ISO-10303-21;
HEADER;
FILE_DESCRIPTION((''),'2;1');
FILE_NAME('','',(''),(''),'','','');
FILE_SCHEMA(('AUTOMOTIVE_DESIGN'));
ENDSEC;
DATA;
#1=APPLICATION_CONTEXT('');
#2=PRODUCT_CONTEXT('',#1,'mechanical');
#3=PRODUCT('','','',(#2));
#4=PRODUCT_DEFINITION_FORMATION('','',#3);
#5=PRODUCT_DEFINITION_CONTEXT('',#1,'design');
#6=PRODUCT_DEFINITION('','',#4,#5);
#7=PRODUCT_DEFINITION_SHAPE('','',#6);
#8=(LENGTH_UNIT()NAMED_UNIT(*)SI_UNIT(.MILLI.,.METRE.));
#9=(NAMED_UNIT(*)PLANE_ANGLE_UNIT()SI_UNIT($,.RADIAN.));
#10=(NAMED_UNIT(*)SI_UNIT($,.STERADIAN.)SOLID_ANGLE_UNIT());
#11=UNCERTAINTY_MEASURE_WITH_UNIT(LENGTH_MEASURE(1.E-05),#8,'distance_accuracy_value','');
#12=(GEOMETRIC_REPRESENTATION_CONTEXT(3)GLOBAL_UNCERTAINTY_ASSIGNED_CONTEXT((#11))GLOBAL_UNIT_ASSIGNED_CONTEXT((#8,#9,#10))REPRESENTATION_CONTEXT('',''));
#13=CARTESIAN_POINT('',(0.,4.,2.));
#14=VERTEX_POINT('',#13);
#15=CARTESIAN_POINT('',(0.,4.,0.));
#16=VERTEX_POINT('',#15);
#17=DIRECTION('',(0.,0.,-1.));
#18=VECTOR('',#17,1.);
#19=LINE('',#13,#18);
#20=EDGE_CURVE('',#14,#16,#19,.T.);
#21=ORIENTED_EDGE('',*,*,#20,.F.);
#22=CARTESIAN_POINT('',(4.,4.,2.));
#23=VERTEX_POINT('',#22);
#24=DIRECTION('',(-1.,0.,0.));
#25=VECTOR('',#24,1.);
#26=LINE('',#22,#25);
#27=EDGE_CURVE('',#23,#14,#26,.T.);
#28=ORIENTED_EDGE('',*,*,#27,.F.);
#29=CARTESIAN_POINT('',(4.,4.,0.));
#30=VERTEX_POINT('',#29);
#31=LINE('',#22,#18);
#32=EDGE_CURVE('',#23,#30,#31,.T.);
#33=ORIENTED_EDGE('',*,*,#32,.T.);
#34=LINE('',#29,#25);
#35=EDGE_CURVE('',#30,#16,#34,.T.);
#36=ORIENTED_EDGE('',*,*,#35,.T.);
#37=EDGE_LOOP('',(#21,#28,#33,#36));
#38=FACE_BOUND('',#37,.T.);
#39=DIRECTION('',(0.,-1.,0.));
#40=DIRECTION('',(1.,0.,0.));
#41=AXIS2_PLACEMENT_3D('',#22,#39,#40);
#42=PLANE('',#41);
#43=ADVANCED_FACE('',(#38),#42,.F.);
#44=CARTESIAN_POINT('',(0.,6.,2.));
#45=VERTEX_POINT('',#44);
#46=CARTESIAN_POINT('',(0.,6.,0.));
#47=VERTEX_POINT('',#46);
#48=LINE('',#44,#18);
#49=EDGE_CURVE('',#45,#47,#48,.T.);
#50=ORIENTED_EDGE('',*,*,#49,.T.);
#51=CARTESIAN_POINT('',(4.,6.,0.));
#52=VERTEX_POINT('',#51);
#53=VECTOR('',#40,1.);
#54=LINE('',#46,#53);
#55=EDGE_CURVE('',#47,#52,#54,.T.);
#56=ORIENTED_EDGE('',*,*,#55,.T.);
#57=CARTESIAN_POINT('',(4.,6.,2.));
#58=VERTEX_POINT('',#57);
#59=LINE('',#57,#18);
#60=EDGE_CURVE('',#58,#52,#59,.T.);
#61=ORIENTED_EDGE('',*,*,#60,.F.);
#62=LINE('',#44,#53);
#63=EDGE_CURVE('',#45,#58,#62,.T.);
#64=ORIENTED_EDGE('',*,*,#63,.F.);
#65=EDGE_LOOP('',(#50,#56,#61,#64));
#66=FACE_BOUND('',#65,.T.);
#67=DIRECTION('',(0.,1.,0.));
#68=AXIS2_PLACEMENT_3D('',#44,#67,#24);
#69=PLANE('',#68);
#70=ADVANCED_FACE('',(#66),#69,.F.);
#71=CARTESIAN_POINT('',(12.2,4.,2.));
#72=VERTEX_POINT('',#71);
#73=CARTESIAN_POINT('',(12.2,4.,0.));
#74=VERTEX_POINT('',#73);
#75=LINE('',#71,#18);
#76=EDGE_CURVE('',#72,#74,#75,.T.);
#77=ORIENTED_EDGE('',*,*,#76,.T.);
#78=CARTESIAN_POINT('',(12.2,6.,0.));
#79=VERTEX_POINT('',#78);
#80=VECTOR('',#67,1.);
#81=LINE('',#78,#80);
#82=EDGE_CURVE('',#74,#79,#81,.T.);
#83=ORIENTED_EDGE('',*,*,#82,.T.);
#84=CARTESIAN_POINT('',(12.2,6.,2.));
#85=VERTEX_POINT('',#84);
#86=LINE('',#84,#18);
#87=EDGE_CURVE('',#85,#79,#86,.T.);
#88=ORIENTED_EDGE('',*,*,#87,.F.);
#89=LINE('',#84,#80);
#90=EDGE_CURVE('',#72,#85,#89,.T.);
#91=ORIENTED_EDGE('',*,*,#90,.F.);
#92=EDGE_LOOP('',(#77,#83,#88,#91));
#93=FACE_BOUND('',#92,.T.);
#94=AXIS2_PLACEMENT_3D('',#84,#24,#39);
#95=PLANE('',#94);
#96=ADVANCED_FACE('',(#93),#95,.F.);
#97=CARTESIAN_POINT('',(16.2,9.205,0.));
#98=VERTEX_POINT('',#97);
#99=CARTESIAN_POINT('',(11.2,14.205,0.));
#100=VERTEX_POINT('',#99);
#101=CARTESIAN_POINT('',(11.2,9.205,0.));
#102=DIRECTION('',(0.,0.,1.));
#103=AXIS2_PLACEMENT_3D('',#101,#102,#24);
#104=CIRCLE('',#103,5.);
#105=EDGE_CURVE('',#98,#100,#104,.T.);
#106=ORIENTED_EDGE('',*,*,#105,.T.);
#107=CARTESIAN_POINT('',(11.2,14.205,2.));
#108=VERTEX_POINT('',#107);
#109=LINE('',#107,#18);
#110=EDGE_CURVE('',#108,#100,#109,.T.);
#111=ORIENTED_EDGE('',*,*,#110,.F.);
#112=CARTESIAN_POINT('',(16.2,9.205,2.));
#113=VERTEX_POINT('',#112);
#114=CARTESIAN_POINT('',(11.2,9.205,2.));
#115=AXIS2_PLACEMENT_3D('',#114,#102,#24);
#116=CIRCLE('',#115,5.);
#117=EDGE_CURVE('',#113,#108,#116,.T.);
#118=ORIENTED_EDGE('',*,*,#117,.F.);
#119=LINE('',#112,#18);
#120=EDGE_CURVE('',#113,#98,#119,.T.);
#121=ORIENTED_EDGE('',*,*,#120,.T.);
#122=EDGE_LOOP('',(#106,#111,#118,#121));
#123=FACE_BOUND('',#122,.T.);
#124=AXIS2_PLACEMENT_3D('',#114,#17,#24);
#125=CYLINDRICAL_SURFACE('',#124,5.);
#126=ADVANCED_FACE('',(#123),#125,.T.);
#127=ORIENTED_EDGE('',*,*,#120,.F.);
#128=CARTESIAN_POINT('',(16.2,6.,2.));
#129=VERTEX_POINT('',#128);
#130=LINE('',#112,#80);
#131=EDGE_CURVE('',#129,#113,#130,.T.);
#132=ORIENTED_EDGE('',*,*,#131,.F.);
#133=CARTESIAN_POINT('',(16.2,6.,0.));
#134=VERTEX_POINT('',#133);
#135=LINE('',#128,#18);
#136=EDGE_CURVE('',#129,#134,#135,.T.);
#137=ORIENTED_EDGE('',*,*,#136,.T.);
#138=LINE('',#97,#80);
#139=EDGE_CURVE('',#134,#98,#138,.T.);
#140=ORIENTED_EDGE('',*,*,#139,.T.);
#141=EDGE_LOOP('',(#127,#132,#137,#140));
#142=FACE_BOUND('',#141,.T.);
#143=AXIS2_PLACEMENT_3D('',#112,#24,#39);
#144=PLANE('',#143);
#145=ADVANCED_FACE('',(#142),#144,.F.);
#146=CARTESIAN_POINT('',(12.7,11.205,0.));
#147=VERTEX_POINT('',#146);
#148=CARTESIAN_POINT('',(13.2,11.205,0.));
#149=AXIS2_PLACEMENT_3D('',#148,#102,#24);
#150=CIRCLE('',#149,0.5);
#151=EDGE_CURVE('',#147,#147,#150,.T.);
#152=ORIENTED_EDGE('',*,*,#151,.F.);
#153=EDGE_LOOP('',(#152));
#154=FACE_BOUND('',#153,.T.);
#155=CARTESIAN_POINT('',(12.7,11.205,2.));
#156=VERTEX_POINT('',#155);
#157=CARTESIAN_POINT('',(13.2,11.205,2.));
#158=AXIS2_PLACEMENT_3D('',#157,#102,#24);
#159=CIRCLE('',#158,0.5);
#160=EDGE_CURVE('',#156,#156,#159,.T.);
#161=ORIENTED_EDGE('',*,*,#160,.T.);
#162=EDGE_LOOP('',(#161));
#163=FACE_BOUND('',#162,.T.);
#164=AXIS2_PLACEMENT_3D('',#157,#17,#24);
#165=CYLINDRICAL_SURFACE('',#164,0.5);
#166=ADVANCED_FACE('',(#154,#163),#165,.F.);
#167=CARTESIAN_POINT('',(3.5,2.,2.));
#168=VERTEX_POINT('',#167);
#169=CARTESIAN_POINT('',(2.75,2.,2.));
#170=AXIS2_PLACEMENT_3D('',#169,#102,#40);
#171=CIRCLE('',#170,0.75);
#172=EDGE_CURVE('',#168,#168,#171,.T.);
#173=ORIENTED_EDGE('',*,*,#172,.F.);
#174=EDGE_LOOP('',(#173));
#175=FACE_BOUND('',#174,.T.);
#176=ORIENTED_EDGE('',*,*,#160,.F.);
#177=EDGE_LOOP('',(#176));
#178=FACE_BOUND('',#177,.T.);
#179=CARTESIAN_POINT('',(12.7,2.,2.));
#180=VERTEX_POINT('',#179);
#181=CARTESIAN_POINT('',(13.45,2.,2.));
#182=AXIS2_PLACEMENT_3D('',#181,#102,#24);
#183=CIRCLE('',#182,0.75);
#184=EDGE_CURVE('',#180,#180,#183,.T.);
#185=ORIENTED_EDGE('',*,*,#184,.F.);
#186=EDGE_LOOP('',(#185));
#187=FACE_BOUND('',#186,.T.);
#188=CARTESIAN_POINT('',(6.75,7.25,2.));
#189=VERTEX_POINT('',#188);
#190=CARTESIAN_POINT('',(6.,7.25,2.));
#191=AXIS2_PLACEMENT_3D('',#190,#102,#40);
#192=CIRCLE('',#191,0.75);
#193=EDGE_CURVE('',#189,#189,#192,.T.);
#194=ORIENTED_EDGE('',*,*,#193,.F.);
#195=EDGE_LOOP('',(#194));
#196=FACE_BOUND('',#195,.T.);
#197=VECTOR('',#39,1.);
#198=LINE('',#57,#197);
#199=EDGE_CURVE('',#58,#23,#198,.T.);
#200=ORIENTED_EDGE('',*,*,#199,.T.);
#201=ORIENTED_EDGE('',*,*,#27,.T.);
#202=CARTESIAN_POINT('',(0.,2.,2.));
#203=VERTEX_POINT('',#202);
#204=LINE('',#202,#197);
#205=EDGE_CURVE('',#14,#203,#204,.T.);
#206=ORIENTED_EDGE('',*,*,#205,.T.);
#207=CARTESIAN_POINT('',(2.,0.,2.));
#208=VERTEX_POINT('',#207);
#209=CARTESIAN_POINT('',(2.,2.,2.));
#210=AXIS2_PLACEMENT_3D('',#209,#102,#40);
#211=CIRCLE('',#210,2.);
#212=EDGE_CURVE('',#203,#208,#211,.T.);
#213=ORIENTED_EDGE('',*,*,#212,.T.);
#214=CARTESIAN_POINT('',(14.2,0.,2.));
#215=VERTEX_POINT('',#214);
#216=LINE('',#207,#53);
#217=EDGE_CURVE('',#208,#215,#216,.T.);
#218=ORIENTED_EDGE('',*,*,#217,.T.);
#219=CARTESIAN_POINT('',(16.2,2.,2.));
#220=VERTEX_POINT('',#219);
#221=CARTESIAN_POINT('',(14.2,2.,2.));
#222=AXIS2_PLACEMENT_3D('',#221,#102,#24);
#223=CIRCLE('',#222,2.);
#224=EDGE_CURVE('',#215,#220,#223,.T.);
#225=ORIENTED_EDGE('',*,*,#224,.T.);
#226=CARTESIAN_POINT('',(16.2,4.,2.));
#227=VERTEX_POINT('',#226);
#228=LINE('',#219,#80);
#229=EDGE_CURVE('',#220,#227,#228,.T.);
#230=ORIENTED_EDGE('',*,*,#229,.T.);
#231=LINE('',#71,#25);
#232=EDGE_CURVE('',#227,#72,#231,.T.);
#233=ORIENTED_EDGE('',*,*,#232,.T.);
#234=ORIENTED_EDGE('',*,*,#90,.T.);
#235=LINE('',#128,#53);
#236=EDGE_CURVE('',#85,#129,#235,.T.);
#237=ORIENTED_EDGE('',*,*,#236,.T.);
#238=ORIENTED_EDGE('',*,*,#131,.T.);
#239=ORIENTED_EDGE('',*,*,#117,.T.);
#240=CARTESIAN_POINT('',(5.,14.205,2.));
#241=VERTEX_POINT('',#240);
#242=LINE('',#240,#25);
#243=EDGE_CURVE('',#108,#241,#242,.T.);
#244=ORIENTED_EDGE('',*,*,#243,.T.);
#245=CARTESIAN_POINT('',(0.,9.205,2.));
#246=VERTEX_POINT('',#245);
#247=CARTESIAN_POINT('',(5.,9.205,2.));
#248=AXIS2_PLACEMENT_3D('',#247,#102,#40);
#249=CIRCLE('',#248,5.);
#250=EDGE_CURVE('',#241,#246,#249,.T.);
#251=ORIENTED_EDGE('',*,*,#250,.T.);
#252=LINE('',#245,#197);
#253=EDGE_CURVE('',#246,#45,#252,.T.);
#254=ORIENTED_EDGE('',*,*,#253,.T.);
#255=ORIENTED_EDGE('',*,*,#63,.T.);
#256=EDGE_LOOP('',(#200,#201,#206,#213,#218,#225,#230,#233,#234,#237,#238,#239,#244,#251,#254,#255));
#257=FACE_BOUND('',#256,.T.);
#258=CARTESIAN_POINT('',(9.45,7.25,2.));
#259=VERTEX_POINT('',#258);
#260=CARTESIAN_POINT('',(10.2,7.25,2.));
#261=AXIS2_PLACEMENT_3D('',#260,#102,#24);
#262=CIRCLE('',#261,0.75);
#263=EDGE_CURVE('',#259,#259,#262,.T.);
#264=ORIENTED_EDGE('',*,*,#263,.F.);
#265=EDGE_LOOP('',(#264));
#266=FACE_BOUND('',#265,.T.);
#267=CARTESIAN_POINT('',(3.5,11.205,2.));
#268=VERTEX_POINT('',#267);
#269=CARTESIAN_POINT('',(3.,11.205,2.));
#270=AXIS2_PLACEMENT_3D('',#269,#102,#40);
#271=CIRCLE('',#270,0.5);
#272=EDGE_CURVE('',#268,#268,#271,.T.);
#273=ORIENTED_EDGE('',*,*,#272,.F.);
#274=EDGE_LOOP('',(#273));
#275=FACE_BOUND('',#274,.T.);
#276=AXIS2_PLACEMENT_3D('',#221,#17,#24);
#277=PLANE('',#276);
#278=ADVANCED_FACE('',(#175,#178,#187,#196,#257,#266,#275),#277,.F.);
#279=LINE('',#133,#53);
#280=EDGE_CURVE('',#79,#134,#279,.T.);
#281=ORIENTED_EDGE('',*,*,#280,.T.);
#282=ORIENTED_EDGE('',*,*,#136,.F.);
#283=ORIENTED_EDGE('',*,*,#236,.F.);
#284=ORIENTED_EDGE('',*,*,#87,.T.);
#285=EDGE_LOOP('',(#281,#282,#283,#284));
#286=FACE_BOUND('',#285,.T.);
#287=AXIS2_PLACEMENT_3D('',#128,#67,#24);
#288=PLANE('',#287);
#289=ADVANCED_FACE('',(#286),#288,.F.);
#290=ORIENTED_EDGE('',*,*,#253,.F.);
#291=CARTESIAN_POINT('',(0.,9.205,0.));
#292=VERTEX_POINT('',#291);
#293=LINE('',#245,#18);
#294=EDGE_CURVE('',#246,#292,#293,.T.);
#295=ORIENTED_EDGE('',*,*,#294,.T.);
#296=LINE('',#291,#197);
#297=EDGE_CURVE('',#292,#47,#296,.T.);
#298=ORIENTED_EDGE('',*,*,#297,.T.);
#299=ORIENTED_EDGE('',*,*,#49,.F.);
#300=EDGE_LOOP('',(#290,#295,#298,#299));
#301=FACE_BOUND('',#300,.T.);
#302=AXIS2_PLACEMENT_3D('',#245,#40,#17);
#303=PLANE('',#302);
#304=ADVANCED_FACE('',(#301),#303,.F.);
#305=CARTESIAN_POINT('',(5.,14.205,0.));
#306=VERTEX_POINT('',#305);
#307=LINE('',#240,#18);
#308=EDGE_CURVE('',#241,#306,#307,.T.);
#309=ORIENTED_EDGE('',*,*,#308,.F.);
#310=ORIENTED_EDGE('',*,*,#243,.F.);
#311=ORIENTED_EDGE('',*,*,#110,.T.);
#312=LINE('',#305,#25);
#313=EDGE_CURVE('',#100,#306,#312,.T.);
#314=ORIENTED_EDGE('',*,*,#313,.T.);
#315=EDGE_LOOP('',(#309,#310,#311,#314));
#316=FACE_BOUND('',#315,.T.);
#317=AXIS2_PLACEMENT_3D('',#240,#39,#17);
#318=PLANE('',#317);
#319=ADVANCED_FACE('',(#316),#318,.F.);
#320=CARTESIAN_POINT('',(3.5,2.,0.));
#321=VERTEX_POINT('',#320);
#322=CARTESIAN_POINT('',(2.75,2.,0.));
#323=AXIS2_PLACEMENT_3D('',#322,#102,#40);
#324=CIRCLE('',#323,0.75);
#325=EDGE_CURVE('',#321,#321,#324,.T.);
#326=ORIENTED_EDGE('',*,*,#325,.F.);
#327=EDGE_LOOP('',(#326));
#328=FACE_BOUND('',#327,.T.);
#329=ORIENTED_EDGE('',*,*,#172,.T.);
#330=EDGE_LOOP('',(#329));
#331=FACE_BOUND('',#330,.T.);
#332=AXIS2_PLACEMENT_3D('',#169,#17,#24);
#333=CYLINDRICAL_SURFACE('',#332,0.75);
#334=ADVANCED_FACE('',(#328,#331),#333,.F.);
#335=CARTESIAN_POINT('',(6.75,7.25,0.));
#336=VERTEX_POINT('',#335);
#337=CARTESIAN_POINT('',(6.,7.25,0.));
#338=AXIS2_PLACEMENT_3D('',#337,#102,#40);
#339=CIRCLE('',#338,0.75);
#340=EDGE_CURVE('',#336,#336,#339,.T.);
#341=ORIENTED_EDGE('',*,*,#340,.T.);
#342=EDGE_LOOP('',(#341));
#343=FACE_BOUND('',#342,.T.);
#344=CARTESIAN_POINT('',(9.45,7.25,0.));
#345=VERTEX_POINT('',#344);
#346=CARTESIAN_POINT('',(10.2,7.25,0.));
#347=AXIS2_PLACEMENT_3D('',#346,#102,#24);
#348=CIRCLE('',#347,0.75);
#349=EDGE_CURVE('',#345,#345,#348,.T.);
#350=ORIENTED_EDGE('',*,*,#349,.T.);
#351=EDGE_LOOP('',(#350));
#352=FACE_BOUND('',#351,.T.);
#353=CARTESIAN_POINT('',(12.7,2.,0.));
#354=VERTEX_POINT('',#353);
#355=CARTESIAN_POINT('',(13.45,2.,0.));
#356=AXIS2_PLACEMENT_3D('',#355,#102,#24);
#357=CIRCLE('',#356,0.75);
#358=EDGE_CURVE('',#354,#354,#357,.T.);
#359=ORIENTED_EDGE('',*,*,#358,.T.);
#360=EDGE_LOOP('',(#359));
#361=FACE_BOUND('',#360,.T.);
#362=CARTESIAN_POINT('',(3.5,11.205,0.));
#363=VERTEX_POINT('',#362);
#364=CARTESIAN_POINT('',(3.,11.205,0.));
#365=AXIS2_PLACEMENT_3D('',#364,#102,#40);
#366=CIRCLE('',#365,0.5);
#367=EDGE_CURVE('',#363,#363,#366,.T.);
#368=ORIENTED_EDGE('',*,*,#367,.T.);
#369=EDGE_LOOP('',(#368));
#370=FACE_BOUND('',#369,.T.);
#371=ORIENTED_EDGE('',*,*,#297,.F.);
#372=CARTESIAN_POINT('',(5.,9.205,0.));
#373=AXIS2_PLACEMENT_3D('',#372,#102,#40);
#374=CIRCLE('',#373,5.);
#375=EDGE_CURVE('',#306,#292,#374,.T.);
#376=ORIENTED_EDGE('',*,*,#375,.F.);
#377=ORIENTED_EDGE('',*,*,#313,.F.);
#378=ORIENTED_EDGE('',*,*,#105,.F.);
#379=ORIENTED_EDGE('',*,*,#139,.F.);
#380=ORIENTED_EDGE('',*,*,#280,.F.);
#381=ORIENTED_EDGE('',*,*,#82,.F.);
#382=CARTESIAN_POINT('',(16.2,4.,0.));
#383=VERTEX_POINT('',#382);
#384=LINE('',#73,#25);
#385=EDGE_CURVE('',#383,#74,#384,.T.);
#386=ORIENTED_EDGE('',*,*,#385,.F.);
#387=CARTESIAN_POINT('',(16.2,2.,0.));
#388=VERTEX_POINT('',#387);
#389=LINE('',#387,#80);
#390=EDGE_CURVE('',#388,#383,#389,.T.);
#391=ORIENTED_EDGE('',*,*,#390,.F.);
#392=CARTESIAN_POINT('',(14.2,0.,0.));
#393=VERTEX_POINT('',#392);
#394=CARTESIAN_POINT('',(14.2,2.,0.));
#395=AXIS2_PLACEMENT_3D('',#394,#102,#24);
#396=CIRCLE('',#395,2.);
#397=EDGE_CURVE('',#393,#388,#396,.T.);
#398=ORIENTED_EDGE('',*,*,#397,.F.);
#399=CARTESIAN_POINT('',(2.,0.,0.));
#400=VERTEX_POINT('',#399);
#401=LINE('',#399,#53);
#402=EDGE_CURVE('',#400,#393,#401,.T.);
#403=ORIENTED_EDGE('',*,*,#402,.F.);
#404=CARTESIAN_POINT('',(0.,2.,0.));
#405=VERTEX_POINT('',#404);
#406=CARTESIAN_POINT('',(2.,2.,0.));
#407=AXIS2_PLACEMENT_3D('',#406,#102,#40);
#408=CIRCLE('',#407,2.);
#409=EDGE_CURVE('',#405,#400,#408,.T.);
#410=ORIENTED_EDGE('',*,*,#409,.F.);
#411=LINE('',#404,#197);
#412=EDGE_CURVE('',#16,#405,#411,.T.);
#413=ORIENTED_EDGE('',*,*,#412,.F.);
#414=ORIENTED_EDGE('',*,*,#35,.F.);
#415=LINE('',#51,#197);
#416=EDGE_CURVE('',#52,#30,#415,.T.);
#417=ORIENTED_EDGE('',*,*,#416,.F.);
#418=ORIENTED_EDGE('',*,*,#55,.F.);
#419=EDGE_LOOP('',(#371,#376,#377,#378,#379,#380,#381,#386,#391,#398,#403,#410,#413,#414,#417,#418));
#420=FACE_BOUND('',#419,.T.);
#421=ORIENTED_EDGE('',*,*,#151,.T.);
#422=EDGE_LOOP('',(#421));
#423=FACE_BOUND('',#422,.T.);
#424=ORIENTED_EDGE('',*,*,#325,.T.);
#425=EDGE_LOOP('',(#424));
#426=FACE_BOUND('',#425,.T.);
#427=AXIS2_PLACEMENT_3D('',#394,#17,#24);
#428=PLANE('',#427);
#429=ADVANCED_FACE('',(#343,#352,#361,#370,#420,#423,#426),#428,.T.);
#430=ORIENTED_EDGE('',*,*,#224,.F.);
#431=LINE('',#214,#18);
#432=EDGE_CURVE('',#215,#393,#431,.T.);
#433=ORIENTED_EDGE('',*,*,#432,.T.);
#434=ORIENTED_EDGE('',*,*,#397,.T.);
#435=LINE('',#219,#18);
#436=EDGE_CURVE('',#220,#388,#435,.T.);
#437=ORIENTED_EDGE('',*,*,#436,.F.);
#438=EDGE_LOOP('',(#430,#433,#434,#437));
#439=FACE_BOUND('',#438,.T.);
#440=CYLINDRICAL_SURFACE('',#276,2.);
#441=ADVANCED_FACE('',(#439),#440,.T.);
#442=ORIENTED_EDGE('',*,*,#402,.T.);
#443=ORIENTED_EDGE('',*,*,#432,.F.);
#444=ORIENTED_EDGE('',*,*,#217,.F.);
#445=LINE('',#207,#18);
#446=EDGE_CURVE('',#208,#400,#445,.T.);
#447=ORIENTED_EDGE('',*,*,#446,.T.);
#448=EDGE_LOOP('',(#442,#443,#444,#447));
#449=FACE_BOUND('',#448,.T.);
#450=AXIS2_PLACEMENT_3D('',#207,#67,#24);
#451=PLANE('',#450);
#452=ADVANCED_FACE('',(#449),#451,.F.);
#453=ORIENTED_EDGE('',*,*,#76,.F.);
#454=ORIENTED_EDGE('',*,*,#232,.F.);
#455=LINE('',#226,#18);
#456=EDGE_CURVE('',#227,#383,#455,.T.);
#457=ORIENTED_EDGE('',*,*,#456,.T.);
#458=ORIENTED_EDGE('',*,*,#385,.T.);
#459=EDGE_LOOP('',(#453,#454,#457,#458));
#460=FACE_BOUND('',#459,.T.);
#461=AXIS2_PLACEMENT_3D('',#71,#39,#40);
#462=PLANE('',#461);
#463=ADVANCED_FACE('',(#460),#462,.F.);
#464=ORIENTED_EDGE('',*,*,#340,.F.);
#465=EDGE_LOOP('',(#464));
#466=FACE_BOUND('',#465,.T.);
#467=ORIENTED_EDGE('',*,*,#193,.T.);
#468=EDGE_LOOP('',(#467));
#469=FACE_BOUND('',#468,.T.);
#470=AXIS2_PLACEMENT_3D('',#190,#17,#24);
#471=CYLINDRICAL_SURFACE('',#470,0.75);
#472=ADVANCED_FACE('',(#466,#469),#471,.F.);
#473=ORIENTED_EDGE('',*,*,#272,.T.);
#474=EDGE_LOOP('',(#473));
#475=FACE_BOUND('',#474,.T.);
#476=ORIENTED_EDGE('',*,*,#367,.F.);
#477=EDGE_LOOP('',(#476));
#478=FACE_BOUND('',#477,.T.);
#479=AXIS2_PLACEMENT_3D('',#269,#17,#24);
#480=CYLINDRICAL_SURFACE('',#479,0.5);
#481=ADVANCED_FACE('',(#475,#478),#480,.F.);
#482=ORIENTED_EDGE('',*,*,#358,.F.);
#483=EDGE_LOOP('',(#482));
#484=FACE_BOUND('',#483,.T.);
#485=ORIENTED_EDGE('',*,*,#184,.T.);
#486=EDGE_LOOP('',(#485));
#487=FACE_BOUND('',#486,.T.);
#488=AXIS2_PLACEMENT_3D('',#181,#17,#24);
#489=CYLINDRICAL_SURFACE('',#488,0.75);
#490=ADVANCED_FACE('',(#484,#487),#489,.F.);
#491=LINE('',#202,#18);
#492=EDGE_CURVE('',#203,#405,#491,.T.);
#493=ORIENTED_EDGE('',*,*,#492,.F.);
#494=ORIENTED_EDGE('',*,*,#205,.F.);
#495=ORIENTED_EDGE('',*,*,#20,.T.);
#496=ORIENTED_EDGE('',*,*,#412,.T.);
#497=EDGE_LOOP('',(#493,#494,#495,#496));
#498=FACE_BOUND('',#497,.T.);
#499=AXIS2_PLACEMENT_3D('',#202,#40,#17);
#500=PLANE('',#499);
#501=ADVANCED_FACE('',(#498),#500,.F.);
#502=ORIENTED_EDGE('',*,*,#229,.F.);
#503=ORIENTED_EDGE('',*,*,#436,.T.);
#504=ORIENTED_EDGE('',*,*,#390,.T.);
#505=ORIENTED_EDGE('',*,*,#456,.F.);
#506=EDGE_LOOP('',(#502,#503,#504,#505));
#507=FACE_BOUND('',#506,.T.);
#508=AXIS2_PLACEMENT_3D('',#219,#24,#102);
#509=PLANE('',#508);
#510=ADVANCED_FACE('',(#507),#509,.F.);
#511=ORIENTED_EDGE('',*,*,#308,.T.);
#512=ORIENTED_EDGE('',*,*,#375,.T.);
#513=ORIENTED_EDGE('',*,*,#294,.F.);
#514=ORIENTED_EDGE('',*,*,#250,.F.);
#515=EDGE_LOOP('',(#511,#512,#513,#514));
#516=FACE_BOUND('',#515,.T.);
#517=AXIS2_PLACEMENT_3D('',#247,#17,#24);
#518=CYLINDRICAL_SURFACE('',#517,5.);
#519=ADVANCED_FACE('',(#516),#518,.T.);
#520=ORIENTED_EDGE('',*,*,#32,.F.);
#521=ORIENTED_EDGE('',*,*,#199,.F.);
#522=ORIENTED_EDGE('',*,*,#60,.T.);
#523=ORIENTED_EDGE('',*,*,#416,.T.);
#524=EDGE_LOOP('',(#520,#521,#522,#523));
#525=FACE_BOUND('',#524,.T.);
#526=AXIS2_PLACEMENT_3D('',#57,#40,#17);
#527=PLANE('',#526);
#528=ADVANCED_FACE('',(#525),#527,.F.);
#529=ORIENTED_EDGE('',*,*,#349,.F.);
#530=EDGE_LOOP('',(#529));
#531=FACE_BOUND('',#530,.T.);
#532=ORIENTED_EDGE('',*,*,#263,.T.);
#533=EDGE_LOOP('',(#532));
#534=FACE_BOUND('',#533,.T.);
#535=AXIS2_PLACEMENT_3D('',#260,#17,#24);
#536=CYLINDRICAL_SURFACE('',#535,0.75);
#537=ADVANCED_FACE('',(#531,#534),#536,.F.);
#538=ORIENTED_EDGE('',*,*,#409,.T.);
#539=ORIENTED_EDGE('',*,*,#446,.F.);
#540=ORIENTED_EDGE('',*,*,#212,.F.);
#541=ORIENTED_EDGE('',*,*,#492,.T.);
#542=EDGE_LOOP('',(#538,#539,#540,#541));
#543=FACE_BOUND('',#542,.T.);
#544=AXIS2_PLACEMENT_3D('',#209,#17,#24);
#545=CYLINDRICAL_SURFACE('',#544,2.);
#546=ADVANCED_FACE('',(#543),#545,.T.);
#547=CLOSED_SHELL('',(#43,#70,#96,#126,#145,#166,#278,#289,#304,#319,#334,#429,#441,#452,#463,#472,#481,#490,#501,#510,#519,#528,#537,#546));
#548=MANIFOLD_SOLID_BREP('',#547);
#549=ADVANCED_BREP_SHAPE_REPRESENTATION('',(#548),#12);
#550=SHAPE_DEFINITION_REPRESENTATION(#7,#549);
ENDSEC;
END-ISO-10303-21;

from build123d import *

# Parameters (mm, degrees)
SKETCH1_R           = 0.75
SKETCH1_R_2         = 0.5
BOSS_EXTRUDE1_DEPTH = 2


with BuildPart() as part:
    # Sketch1 → Boss-Extrude1 (new body)
    with BuildSketch(Plane.XY):
        with BuildLine():
            Line((12.2, 4), (16.2, 4))
            Line((16.2, 4), (16.2, 2))
            ThreePointArc((16.2, 2), (15.614213562, 0.585786438), (14.2, 0))
            Line((14.2, 0), (2, 0))
            ThreePointArc((2, 0), (0.585786438, 0.585786438), (0, 2))
            Line((0, 2), (0, 4))
            Line((0, 4), (4, 4))
            Line((4, 4), (4, 6))
            Line((4, 6), (0, 6))
            Line((0, 6), (0, 9.205))
            ThreePointArc((0, 9.205), (1.464466094, 12.740533906), (5, 14.205))
            Line((5, 14.205), (11.2, 14.205))
            ThreePointArc((11.2, 14.205), (14.735533906, 12.740533906), (16.2, 9.205))
            Line((16.2, 9.205), (16.2, 6))
            Line((16.2, 6), (12.2, 6))
            Line((12.2, 6), (12.2, 4))
        make_face()
        with Locations((13.45, 2)):
            Circle(SKETCH1_R, mode=Mode.SUBTRACT)
        with Locations((13.2, 11.205)):
            Circle(SKETCH1_R_2, mode=Mode.SUBTRACT)
        with Locations((10.2, 7.25)):
            Circle(SKETCH1_R, mode=Mode.SUBTRACT)
        with Locations((6, 7.25)):
            Circle(SKETCH1_R, mode=Mode.SUBTRACT)
        with Locations((3, 11.205)):
            Circle(SKETCH1_R_2, mode=Mode.SUBTRACT)
        with Locations((2.75, 2)):
            Circle(SKETCH1_R, mode=Mode.SUBTRACT)
    extrude(amount=BOSS_EXTRUDE1_DEPTH)


solid = part.part
